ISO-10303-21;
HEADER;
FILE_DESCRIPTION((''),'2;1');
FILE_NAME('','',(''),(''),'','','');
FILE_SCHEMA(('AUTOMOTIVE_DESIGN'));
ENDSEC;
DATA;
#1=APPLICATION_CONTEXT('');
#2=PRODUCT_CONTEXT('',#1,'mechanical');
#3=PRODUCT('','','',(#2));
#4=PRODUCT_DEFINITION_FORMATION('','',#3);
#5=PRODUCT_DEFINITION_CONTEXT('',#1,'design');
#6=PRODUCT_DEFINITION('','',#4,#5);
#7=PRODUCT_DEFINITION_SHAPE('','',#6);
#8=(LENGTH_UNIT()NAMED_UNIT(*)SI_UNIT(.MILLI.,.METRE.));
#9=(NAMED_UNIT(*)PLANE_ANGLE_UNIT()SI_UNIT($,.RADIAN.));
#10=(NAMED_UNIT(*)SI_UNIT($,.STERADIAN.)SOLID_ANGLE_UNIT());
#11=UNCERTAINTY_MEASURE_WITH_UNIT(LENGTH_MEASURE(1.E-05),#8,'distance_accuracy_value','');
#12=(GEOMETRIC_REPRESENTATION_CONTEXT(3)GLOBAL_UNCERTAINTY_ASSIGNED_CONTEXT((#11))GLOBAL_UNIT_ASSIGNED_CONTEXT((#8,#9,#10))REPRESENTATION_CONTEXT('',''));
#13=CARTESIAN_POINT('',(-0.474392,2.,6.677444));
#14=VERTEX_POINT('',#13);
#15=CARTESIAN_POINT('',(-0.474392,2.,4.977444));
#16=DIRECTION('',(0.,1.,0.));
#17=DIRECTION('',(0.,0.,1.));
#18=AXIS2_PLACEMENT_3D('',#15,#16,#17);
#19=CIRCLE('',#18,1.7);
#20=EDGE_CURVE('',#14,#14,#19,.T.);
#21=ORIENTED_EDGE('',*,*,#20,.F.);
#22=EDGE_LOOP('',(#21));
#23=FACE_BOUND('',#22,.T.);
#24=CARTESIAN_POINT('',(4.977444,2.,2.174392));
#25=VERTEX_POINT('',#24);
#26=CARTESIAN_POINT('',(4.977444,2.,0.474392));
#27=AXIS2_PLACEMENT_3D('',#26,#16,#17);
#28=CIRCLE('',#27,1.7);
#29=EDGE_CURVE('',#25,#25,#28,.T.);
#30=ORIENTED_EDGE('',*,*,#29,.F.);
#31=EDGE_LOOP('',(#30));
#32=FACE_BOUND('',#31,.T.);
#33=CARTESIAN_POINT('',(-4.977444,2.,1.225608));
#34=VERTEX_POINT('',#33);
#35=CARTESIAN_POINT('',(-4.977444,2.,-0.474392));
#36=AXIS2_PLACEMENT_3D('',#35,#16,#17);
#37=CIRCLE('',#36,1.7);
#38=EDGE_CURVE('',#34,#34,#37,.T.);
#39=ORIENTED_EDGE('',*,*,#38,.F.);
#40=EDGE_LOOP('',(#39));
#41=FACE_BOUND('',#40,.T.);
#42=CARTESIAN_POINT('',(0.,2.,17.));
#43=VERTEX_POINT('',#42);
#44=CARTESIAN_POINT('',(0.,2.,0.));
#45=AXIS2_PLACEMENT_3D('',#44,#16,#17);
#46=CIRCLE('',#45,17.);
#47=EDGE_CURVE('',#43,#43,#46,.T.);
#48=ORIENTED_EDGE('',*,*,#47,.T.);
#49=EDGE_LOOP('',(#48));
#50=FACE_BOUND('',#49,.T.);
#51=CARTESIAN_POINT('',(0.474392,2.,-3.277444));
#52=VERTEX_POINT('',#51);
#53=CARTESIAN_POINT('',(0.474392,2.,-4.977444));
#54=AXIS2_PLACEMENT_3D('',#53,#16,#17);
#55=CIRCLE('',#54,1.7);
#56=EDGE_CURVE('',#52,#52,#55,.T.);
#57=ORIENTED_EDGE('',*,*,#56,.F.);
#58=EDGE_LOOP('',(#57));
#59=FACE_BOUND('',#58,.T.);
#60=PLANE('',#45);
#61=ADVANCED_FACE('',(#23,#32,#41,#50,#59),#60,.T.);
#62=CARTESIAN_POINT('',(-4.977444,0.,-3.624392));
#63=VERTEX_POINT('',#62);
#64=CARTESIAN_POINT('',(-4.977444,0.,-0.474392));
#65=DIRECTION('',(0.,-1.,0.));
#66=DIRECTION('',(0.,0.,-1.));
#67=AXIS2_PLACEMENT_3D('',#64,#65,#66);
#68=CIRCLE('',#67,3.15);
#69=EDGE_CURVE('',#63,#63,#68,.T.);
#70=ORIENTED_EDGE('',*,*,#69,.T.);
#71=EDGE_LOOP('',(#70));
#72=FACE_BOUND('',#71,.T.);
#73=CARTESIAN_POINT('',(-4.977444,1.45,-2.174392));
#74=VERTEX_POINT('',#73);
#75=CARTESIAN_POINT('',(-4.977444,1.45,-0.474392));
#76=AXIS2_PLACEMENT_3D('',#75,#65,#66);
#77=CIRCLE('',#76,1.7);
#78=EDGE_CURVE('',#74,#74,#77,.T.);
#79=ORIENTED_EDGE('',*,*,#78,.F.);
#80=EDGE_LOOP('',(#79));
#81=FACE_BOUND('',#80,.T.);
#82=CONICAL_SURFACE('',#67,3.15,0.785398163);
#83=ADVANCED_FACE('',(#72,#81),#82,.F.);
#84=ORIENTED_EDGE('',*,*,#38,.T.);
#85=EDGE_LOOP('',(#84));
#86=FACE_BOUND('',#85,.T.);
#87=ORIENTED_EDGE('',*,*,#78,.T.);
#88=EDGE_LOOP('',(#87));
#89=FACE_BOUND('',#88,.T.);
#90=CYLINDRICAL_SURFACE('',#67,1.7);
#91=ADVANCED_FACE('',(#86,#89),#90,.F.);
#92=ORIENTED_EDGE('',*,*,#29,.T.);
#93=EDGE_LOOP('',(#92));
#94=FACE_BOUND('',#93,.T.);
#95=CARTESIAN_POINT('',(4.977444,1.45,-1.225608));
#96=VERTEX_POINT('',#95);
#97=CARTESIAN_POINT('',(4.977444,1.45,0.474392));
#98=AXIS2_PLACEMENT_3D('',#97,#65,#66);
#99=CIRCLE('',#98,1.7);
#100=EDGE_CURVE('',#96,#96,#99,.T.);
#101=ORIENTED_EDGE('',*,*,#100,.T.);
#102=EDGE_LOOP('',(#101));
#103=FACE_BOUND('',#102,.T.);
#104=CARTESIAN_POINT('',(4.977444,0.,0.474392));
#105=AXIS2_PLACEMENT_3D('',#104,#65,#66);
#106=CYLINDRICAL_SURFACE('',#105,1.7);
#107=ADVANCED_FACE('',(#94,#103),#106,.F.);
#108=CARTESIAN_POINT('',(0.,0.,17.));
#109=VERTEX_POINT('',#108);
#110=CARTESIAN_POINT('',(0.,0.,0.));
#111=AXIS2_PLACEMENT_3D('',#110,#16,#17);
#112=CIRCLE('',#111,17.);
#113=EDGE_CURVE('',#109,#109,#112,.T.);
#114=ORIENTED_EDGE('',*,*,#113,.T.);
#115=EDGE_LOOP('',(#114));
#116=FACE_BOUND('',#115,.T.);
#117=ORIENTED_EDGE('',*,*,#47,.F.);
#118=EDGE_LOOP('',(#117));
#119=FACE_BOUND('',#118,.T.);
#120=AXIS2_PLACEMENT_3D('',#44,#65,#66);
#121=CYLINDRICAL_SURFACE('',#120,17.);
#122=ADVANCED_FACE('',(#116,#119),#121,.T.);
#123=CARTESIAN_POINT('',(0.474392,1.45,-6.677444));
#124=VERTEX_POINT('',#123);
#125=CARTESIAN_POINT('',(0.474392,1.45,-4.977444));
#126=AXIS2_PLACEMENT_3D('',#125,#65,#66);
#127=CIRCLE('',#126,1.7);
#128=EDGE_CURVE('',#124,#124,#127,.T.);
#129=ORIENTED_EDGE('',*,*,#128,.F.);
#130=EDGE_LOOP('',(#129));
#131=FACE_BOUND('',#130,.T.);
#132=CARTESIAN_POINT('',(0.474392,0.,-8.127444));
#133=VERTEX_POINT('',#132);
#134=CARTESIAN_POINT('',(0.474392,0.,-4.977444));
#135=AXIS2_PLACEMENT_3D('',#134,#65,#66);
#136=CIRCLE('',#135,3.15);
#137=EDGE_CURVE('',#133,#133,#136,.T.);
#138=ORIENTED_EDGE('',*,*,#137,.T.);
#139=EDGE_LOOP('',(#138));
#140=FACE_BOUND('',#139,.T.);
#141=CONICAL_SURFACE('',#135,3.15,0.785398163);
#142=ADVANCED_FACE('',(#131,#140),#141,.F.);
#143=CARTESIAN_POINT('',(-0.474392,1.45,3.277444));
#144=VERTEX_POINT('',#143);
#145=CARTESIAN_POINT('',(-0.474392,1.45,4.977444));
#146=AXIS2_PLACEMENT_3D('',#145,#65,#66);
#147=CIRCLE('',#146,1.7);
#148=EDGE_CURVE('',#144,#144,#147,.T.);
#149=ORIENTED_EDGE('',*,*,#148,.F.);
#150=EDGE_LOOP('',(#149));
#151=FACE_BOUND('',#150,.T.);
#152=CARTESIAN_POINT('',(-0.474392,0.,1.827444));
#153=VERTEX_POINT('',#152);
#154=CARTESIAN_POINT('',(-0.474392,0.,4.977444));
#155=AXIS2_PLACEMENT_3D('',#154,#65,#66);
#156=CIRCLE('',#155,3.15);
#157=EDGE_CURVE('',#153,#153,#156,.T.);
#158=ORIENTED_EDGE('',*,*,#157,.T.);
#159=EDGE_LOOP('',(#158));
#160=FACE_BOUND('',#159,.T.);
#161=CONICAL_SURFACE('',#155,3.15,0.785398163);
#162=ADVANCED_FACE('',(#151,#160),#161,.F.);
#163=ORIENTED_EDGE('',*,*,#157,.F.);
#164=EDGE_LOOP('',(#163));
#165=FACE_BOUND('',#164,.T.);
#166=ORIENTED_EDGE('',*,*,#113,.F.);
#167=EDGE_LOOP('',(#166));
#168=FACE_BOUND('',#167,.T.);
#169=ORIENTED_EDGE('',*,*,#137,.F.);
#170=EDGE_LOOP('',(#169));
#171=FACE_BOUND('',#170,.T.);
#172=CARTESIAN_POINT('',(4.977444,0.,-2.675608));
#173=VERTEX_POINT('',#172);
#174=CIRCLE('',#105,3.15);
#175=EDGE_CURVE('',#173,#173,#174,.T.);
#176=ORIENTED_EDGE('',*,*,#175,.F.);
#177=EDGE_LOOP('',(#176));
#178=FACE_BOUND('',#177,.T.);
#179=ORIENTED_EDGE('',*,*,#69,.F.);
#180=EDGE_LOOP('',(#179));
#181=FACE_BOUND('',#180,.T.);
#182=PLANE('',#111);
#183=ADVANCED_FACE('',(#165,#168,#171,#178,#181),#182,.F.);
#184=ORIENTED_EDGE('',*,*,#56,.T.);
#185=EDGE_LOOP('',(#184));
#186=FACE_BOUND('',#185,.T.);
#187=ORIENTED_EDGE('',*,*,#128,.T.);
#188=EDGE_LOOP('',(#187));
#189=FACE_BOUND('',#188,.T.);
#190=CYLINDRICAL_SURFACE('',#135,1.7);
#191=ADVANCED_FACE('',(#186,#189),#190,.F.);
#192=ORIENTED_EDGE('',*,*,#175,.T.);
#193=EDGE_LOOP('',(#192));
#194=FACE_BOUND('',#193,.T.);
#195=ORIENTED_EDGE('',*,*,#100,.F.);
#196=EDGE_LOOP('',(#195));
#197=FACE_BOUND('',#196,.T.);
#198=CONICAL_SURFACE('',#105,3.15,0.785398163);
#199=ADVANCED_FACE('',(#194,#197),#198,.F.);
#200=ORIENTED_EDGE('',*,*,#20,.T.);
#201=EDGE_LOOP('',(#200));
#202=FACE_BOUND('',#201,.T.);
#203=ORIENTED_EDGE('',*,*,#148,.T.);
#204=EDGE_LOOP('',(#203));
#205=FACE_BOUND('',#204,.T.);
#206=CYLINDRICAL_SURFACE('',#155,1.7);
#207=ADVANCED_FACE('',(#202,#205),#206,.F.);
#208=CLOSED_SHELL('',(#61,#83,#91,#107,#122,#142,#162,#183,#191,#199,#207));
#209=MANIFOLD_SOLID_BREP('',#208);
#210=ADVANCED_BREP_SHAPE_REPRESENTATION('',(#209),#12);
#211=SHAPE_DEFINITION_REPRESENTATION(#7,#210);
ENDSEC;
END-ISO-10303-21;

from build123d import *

# Parameters (mm, degrees)
SKETCH1_R                                    = 17
BOSS_EXTRUDE1_DEPTH                          = 2
CSK_FOR_M3_COUNTERSUNK_FLAT_HEAD_SCR_2_COUNT = 2
CSK_FOR_M3_COUNTERSUNK_FLAT_HEAD_SCR_2_PITCH = 7.071067812
CSK_FOR_M3_COUNTERSUNK_FLAT_HEAD_SCR_3_COUNT = 2
CSK_FOR_M3_COUNTERSUNK_FLAT_HEAD_SCR_3_PITCH = 10
CSK_FOR_M3_COUNTERSUNK_FLAT_HEAD_SCR_4_COUNT = 2
CSK_FOR_M3_COUNTERSUNK_FLAT_HEAD_SCR_4_PITCH = 7.071067812


with BuildPart() as part:
    # Sketch1 → Boss-Extrude1 (new body)
    with BuildSketch(Plane(origin=(0, 0, 0), x_dir=(1, 0, 0), z_dir=(0, 1, 0))):
        with Locations(Location((0, 0, 0), (0, 0, 270))):
            Circle(SKETCH1_R)
    extrude(amount=BOSS_EXTRUDE1_DEPTH)

    # Sketch3 → CSK for M3 Countersunk Flat Head Screw1 (revolve, cut)
    with BuildSketch(Plane(origin=(-4.977444323, 0, -0.474392252), x_dir=(0, 0, -1), z_dir=(1, 0, 0))):
        Polygon((0, 0), (0, 2), (1.7, 2), (1.7, 1.45), (3.15, 0), align=None)
    csk_for_m3_countersunk_flat_head_screw1 = revolve(axis=Axis((-4.977444323, -6.35, -0.474392252), (0, 1, 0)), mode=Mode.SUBTRACT)

    # CSK for M3 Countersunk Flat Head Scr 2: CSK for M3 Countersunk Flat Head Screw1 ×2
    with Locations(*[Vector(0.7710061224307119, 0, -0.6368277311599726) * (i * CSK_FOR_M3_COUNTERSUNK_FLAT_HEAD_SCR_2_PITCH) for i in range(1, CSK_FOR_M3_COUNTERSUNK_FLAT_HEAD_SCR_2_COUNT)]):
        add(csk_for_m3_countersunk_flat_head_screw1, mode=Mode.SUBTRACT)

    # CSK for M3 Countersunk Flat Head Scr 3: CSK for M3 Countersunk Flat Head Screw1 ×2
    with Locations(*[Vector(0.995488864657962, 0, 0.09487845035624153) * (i * CSK_FOR_M3_COUNTERSUNK_FLAT_HEAD_SCR_3_PITCH) for i in range(1, CSK_FOR_M3_COUNTERSUNK_FLAT_HEAD_SCR_3_COUNT)]):
        add(csk_for_m3_countersunk_flat_head_screw1, mode=Mode.SUBTRACT)

    # CSK for M3 Countersunk Flat Head Scr 4: CSK for M3 Countersunk Flat Head Screw1 ×2
    with Locations(*[Vector(0.6368277311599727, 0, 0.7710061224307118) * (i * CSK_FOR_M3_COUNTERSUNK_FLAT_HEAD_SCR_4_PITCH) for i in range(1, CSK_FOR_M3_COUNTERSUNK_FLAT_HEAD_SCR_4_COUNT)]):
        add(csk_for_m3_countersunk_flat_head_screw1, mode=Mode.SUBTRACT)


solid = part.part
